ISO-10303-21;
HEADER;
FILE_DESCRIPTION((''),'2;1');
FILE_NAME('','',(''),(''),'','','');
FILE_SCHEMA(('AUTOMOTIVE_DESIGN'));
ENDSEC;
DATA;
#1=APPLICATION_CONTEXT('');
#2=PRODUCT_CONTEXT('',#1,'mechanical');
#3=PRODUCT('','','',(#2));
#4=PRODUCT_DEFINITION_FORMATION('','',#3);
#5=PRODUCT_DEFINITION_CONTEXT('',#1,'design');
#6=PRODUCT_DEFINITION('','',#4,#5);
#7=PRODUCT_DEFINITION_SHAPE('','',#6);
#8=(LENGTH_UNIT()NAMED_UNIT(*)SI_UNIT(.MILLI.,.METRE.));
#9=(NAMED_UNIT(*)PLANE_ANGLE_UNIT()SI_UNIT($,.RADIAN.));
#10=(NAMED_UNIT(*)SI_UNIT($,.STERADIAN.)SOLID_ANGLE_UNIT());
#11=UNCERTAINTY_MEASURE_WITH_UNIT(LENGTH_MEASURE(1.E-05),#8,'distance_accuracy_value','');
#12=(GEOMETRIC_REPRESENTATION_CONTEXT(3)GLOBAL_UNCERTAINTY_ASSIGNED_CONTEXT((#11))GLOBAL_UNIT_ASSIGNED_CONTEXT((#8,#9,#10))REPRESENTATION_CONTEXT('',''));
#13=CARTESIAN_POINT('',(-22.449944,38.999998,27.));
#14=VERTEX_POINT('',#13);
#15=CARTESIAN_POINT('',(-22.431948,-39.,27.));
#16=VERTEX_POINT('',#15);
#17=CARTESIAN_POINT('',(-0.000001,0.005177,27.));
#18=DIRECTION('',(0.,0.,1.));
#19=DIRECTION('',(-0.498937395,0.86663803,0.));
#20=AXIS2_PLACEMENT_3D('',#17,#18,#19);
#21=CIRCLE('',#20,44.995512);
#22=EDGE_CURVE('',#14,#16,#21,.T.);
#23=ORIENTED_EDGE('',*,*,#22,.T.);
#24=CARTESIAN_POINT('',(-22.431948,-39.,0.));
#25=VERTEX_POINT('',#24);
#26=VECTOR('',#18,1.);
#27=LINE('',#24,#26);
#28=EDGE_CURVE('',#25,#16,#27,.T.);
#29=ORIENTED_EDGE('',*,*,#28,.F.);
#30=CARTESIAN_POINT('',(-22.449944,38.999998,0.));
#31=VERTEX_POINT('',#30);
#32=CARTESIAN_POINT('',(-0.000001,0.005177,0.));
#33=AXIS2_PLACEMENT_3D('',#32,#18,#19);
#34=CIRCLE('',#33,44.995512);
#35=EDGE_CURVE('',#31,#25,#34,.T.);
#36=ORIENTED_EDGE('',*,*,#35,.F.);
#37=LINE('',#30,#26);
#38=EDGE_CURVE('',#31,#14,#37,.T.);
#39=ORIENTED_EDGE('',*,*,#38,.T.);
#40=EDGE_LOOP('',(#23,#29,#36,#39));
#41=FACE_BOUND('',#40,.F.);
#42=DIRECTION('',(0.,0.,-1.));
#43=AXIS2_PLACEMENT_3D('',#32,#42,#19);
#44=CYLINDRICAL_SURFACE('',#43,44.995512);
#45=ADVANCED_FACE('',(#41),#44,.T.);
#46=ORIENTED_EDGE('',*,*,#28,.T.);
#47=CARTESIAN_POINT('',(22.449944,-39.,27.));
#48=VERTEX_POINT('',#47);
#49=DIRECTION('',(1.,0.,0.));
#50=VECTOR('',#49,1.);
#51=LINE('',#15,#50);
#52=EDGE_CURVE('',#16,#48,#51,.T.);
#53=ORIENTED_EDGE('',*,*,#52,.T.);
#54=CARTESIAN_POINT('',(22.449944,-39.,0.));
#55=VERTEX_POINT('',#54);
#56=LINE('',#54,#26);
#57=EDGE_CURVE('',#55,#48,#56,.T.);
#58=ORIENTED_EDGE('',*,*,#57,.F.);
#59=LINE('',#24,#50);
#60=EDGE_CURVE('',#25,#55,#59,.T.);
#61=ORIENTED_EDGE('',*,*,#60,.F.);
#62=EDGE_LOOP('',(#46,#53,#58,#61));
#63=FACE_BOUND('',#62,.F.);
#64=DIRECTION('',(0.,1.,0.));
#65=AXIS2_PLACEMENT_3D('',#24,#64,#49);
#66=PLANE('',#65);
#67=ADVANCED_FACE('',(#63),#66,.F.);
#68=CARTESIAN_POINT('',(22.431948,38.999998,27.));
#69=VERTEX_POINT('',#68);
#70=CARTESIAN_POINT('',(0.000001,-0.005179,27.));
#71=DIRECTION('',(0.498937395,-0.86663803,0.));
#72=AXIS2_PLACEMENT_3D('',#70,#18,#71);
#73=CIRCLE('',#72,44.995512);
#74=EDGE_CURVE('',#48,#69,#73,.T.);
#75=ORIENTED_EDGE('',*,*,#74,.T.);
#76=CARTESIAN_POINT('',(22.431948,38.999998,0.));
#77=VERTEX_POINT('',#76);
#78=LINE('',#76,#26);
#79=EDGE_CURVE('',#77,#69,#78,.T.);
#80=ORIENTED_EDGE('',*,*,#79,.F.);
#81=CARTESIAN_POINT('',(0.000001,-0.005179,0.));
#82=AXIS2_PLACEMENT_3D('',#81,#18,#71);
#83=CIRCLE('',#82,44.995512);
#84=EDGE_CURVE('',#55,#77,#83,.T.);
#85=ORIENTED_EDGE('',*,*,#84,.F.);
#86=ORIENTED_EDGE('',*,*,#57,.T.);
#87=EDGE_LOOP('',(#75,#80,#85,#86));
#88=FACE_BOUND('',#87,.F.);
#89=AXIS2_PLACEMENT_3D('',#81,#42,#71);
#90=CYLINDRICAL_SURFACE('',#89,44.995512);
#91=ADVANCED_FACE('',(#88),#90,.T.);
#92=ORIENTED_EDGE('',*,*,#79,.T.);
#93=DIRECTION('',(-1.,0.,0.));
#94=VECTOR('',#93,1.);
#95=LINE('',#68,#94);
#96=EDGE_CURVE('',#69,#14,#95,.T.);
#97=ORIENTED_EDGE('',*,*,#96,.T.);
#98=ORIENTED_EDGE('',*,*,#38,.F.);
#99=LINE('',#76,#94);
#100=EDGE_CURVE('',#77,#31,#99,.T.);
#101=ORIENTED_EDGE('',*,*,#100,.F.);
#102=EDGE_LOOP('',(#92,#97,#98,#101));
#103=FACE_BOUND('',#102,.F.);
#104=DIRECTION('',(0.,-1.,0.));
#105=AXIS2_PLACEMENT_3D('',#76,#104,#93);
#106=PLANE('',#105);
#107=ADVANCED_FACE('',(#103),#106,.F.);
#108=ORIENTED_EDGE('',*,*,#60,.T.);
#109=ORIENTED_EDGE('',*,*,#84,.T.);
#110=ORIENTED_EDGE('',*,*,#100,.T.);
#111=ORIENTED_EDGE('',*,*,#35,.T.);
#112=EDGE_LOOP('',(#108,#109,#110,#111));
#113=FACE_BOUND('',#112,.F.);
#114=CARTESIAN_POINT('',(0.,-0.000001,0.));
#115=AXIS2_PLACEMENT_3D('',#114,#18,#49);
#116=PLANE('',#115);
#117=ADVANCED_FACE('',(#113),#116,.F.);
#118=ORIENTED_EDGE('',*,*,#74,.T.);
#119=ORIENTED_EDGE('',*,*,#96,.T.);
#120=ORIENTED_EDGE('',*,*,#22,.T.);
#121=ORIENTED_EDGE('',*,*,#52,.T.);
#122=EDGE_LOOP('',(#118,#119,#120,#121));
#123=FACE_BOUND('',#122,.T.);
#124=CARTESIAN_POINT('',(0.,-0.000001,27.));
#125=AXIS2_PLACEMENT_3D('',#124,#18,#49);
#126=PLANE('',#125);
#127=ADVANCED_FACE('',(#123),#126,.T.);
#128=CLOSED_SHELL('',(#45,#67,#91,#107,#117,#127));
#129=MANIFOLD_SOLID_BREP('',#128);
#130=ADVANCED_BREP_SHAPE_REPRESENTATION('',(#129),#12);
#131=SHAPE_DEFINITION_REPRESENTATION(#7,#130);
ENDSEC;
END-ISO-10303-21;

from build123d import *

# Parameters (mm, degrees)
PAD_1_DEPTH = 27


with BuildPart() as part:
    # Sketch_1 → Pad_1 (new body)
    with BuildSketch(Plane.XY):
        with BuildLine():
            ThreePointArc((22.449944, -39), (44.995511, 0.005203), (22.431948, 38.999998))
            Line((22.431948, 38.999998), (-22.449944, 38.999998))
            ThreePointArc((-22.449944, 38.999998), (-44.995511, -0.005205), (-22.431948, -39))
            Line((-22.431948, -39), (22.449944, -39))
        make_face()
    extrude(amount=PAD_1_DEPTH)


solid = part.part
